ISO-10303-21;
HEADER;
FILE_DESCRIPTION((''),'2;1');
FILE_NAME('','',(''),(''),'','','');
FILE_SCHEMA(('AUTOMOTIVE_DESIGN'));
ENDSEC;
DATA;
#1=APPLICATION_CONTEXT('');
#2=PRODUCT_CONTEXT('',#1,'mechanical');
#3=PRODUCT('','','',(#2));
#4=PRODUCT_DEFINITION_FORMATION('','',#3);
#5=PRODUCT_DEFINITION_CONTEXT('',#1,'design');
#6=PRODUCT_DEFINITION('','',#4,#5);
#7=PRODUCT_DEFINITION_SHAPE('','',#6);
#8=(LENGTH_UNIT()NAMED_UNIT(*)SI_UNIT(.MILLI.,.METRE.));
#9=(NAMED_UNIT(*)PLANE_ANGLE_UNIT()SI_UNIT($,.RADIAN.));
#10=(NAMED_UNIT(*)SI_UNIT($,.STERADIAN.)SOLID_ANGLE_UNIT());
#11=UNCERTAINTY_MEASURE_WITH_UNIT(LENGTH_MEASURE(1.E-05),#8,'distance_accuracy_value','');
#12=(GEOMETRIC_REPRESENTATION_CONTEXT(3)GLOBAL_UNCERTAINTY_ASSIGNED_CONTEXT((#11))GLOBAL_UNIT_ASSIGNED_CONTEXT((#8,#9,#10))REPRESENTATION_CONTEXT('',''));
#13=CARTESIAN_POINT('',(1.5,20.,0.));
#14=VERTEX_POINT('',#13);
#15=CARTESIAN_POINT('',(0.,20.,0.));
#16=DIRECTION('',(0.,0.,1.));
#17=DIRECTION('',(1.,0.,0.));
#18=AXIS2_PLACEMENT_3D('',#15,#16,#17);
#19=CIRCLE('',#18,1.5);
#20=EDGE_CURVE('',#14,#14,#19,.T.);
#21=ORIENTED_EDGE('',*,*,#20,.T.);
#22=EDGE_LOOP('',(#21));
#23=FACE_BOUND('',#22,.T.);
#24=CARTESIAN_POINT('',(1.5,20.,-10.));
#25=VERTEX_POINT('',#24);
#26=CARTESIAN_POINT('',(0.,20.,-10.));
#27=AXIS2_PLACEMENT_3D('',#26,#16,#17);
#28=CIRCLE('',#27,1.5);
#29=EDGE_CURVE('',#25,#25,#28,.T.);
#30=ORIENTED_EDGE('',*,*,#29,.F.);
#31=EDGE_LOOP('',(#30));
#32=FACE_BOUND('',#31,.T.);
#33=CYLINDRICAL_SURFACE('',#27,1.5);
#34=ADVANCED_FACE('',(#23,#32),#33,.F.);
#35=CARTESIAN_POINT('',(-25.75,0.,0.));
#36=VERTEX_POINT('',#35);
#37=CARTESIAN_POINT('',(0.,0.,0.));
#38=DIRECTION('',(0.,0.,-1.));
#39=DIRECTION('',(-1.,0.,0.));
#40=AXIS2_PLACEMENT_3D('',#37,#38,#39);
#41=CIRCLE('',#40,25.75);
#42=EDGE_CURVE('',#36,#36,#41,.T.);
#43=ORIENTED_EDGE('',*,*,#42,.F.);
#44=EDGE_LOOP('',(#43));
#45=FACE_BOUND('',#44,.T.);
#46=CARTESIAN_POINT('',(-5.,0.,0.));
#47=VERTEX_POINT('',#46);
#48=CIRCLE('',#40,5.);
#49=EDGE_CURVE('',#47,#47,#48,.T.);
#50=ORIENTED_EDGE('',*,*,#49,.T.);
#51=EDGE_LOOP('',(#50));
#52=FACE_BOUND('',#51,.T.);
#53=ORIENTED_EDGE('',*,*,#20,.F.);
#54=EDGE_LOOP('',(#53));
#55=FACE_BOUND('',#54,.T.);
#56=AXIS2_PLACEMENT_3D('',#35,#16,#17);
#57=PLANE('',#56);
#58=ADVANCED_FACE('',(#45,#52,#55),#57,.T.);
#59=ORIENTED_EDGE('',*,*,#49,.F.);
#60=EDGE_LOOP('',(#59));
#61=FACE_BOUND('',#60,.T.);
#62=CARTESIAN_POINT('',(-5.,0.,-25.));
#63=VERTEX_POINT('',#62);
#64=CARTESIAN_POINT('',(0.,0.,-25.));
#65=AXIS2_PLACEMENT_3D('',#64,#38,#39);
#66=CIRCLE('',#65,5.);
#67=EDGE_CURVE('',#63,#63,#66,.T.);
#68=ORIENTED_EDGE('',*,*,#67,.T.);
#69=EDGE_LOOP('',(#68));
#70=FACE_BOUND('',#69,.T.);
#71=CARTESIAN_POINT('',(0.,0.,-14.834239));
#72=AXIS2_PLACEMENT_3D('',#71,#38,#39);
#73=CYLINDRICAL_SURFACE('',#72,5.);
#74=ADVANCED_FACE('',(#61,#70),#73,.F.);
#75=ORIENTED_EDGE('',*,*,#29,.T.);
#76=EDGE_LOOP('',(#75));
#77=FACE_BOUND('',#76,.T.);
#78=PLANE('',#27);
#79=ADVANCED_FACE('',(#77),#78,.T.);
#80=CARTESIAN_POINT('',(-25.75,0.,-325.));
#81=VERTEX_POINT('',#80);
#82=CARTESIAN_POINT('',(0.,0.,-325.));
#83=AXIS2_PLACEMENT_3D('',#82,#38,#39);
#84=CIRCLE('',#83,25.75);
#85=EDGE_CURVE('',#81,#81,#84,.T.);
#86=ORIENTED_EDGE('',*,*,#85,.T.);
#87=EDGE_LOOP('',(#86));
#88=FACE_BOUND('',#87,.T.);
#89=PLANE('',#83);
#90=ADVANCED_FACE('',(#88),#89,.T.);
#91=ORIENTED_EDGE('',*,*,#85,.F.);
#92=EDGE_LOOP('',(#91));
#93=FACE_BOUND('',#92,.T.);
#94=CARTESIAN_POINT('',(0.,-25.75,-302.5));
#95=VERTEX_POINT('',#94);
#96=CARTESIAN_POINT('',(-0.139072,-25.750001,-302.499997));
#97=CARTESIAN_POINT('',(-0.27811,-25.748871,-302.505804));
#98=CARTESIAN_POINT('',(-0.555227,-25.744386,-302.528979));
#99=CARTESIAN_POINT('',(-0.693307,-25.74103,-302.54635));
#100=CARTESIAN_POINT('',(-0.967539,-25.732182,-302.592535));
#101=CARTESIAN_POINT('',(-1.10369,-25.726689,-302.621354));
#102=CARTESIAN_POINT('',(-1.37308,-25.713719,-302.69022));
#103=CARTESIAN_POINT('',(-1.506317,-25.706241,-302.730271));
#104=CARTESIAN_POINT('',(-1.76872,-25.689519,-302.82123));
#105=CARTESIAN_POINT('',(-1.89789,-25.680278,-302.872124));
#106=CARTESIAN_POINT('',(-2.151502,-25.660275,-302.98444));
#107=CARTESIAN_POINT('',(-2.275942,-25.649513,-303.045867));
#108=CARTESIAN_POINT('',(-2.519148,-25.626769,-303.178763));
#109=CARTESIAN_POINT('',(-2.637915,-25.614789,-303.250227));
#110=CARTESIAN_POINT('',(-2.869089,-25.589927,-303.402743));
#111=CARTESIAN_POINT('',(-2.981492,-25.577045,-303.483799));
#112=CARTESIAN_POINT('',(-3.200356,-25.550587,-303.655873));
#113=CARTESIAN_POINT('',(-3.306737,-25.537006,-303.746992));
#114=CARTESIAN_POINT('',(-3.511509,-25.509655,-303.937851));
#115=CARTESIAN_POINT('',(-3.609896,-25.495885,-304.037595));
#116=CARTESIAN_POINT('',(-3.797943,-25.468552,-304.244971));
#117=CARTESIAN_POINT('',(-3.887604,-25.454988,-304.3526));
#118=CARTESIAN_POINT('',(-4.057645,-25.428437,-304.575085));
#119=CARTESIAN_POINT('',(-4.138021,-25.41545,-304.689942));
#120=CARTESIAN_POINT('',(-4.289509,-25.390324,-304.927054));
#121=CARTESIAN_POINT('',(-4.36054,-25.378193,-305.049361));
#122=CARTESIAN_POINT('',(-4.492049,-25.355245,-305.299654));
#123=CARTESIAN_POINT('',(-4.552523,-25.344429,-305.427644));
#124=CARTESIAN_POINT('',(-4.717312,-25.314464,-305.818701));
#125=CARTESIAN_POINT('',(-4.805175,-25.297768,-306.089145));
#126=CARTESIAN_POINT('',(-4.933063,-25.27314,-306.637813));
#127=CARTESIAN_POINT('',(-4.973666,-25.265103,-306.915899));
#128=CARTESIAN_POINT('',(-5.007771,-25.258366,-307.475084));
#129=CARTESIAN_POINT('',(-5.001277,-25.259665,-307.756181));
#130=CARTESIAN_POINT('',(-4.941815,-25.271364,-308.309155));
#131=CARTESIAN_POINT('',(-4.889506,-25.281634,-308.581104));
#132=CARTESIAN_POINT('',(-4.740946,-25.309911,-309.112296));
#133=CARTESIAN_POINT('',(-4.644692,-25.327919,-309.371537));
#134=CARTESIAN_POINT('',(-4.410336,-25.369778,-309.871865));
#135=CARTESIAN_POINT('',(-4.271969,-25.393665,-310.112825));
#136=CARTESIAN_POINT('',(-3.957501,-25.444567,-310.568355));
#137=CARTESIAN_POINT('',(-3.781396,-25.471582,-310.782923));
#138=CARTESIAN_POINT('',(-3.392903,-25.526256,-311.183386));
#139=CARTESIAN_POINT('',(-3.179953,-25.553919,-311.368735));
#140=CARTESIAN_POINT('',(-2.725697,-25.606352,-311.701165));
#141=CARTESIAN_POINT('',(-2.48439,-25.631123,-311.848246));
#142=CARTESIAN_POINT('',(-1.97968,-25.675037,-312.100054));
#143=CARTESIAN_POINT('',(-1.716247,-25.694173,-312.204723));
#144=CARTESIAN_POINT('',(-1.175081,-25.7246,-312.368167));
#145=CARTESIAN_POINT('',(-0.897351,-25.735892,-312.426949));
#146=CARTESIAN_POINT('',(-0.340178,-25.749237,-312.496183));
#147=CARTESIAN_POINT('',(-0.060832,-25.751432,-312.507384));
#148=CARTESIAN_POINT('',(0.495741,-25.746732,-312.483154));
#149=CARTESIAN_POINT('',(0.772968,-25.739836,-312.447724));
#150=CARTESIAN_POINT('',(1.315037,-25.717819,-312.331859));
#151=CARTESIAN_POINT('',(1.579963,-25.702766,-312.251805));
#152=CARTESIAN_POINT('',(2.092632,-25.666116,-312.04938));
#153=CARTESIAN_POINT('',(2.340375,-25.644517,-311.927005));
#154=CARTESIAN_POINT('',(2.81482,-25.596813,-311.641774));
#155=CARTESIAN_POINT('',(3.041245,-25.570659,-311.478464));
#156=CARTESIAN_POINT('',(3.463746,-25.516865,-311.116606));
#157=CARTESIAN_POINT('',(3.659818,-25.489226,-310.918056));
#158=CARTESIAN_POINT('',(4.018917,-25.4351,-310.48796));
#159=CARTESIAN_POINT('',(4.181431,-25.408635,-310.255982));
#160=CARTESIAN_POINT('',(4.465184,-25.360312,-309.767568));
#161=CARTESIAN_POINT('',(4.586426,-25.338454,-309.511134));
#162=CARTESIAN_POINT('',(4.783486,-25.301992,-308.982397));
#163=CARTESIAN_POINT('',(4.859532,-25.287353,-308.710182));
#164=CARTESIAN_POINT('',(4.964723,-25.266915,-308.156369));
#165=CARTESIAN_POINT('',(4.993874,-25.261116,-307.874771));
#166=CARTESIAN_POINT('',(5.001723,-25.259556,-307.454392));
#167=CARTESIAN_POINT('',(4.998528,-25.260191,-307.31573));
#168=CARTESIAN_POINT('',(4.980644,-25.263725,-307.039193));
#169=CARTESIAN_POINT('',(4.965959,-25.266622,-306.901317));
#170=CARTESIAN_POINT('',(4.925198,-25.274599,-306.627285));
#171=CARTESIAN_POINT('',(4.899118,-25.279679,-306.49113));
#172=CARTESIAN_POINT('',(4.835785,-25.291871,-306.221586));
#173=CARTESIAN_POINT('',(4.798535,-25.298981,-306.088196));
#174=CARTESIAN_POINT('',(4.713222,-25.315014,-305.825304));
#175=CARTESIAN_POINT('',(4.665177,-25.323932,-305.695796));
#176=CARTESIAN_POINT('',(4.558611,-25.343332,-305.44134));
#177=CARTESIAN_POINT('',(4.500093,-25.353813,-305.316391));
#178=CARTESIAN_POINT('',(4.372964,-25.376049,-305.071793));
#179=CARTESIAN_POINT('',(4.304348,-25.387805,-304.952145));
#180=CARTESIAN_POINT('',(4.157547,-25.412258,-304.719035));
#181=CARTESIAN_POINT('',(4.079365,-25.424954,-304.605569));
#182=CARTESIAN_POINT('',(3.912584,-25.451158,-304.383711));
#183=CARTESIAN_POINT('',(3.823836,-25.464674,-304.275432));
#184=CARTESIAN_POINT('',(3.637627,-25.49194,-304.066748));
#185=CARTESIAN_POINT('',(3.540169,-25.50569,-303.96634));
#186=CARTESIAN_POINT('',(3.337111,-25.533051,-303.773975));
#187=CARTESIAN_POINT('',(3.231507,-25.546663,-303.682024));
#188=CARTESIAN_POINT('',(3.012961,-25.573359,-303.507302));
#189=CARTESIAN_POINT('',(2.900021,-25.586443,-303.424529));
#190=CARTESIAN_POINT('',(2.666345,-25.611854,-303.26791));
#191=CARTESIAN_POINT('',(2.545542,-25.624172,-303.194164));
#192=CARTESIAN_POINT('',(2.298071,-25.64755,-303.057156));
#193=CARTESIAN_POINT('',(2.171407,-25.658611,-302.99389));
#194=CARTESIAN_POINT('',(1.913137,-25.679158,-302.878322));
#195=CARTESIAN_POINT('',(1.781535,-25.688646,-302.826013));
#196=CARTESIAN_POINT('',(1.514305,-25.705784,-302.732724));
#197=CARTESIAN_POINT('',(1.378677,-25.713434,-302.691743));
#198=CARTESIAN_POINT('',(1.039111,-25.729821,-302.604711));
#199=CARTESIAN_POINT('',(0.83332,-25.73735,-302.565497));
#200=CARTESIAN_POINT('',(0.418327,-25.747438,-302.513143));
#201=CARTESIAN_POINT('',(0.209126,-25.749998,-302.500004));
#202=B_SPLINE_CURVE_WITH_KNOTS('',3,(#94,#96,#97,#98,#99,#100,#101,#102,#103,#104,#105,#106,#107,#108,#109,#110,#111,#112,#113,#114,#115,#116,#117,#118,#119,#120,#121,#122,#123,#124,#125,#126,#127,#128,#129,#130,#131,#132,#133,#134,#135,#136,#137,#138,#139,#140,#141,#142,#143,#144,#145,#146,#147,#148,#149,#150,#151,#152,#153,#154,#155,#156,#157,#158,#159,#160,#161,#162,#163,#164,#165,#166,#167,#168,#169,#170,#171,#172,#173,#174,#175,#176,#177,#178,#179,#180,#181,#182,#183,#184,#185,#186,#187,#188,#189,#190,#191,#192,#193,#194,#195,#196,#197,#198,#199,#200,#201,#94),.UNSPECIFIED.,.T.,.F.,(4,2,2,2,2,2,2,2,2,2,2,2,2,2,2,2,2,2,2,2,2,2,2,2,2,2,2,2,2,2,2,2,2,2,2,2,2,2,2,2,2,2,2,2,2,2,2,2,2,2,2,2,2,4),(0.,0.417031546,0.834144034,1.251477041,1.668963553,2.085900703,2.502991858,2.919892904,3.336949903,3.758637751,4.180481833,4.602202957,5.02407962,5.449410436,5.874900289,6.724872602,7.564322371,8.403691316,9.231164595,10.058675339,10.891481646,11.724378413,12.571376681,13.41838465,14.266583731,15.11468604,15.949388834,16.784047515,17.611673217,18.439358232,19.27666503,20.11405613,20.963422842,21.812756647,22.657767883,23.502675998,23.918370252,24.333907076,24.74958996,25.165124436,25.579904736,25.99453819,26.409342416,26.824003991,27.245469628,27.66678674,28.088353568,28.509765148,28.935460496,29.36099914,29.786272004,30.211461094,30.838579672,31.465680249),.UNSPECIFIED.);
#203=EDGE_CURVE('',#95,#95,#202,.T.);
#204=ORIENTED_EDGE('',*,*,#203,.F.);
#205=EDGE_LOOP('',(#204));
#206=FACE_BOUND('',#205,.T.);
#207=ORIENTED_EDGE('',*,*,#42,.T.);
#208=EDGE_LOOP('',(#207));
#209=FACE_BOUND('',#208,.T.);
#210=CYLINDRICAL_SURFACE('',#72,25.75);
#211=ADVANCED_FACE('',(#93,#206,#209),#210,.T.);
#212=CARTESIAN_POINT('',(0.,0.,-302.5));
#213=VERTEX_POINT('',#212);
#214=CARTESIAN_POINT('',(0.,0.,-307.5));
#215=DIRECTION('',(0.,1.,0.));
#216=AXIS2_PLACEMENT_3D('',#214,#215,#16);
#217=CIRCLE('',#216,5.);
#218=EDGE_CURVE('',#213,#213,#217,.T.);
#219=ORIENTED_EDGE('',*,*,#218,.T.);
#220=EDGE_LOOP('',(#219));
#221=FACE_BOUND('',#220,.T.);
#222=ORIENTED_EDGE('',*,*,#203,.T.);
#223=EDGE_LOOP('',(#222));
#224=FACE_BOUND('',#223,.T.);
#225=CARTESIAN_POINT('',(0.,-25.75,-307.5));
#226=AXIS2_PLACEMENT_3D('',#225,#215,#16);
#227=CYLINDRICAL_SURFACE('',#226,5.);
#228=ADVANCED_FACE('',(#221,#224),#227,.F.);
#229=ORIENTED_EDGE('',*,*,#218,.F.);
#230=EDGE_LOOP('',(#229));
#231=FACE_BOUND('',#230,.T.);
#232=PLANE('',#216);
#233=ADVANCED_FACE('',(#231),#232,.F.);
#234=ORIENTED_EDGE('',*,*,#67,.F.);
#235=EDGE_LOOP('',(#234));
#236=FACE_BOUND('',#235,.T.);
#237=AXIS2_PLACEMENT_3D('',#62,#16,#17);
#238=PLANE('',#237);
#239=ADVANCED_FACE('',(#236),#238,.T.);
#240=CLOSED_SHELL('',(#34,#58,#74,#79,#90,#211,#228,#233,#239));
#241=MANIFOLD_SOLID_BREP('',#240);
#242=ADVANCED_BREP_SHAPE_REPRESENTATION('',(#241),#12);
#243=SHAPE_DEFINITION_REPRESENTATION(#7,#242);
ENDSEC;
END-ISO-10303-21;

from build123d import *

# Parameters (mm, degrees)
SKETCH2_R          = 5
CUT_EXTRUDE1_DEPTH = 328.033828525
SKETCH3_R          = 1.5
CUT_EXTRUDE2_DEPTH = 10


with BuildPart() as part:
    # Sketch1 → Revolve1 (revolve)
    with BuildSketch(Plane(origin=(0, 0, 0), x_dir=(1, 0, 0), z_dir=(0, 1, 0))):
        Polygon((0, 325), (-25.75, 325), (-25.75, 0), (-5, 0), (-5, 25), (0, 25), align=None)
    revolve(axis=Axis((0, 0, -14.83423913), (0, 0, 1)))

    # Sketch2 → Cut-Extrude1 (cut, through all)
    with BuildSketch(Plane(origin=(0, 0, 0), x_dir=(1, 0, 0), z_dir=(0, 1, 0))):
        with Locations(Location((0, 307.5, 0), (0, 0, 270))):
            Circle(SKETCH2_R)
    extrude(amount=-CUT_EXTRUDE1_DEPTH, mode=Mode.SUBTRACT)

    # Sketch3 → Cut-Extrude2 (cut)
    with BuildSketch(Plane.XY):
        with Locations((0, 20)):
            Circle(SKETCH3_R)
    extrude(amount=-CUT_EXTRUDE2_DEPTH, mode=Mode.SUBTRACT)


solid = part.part
